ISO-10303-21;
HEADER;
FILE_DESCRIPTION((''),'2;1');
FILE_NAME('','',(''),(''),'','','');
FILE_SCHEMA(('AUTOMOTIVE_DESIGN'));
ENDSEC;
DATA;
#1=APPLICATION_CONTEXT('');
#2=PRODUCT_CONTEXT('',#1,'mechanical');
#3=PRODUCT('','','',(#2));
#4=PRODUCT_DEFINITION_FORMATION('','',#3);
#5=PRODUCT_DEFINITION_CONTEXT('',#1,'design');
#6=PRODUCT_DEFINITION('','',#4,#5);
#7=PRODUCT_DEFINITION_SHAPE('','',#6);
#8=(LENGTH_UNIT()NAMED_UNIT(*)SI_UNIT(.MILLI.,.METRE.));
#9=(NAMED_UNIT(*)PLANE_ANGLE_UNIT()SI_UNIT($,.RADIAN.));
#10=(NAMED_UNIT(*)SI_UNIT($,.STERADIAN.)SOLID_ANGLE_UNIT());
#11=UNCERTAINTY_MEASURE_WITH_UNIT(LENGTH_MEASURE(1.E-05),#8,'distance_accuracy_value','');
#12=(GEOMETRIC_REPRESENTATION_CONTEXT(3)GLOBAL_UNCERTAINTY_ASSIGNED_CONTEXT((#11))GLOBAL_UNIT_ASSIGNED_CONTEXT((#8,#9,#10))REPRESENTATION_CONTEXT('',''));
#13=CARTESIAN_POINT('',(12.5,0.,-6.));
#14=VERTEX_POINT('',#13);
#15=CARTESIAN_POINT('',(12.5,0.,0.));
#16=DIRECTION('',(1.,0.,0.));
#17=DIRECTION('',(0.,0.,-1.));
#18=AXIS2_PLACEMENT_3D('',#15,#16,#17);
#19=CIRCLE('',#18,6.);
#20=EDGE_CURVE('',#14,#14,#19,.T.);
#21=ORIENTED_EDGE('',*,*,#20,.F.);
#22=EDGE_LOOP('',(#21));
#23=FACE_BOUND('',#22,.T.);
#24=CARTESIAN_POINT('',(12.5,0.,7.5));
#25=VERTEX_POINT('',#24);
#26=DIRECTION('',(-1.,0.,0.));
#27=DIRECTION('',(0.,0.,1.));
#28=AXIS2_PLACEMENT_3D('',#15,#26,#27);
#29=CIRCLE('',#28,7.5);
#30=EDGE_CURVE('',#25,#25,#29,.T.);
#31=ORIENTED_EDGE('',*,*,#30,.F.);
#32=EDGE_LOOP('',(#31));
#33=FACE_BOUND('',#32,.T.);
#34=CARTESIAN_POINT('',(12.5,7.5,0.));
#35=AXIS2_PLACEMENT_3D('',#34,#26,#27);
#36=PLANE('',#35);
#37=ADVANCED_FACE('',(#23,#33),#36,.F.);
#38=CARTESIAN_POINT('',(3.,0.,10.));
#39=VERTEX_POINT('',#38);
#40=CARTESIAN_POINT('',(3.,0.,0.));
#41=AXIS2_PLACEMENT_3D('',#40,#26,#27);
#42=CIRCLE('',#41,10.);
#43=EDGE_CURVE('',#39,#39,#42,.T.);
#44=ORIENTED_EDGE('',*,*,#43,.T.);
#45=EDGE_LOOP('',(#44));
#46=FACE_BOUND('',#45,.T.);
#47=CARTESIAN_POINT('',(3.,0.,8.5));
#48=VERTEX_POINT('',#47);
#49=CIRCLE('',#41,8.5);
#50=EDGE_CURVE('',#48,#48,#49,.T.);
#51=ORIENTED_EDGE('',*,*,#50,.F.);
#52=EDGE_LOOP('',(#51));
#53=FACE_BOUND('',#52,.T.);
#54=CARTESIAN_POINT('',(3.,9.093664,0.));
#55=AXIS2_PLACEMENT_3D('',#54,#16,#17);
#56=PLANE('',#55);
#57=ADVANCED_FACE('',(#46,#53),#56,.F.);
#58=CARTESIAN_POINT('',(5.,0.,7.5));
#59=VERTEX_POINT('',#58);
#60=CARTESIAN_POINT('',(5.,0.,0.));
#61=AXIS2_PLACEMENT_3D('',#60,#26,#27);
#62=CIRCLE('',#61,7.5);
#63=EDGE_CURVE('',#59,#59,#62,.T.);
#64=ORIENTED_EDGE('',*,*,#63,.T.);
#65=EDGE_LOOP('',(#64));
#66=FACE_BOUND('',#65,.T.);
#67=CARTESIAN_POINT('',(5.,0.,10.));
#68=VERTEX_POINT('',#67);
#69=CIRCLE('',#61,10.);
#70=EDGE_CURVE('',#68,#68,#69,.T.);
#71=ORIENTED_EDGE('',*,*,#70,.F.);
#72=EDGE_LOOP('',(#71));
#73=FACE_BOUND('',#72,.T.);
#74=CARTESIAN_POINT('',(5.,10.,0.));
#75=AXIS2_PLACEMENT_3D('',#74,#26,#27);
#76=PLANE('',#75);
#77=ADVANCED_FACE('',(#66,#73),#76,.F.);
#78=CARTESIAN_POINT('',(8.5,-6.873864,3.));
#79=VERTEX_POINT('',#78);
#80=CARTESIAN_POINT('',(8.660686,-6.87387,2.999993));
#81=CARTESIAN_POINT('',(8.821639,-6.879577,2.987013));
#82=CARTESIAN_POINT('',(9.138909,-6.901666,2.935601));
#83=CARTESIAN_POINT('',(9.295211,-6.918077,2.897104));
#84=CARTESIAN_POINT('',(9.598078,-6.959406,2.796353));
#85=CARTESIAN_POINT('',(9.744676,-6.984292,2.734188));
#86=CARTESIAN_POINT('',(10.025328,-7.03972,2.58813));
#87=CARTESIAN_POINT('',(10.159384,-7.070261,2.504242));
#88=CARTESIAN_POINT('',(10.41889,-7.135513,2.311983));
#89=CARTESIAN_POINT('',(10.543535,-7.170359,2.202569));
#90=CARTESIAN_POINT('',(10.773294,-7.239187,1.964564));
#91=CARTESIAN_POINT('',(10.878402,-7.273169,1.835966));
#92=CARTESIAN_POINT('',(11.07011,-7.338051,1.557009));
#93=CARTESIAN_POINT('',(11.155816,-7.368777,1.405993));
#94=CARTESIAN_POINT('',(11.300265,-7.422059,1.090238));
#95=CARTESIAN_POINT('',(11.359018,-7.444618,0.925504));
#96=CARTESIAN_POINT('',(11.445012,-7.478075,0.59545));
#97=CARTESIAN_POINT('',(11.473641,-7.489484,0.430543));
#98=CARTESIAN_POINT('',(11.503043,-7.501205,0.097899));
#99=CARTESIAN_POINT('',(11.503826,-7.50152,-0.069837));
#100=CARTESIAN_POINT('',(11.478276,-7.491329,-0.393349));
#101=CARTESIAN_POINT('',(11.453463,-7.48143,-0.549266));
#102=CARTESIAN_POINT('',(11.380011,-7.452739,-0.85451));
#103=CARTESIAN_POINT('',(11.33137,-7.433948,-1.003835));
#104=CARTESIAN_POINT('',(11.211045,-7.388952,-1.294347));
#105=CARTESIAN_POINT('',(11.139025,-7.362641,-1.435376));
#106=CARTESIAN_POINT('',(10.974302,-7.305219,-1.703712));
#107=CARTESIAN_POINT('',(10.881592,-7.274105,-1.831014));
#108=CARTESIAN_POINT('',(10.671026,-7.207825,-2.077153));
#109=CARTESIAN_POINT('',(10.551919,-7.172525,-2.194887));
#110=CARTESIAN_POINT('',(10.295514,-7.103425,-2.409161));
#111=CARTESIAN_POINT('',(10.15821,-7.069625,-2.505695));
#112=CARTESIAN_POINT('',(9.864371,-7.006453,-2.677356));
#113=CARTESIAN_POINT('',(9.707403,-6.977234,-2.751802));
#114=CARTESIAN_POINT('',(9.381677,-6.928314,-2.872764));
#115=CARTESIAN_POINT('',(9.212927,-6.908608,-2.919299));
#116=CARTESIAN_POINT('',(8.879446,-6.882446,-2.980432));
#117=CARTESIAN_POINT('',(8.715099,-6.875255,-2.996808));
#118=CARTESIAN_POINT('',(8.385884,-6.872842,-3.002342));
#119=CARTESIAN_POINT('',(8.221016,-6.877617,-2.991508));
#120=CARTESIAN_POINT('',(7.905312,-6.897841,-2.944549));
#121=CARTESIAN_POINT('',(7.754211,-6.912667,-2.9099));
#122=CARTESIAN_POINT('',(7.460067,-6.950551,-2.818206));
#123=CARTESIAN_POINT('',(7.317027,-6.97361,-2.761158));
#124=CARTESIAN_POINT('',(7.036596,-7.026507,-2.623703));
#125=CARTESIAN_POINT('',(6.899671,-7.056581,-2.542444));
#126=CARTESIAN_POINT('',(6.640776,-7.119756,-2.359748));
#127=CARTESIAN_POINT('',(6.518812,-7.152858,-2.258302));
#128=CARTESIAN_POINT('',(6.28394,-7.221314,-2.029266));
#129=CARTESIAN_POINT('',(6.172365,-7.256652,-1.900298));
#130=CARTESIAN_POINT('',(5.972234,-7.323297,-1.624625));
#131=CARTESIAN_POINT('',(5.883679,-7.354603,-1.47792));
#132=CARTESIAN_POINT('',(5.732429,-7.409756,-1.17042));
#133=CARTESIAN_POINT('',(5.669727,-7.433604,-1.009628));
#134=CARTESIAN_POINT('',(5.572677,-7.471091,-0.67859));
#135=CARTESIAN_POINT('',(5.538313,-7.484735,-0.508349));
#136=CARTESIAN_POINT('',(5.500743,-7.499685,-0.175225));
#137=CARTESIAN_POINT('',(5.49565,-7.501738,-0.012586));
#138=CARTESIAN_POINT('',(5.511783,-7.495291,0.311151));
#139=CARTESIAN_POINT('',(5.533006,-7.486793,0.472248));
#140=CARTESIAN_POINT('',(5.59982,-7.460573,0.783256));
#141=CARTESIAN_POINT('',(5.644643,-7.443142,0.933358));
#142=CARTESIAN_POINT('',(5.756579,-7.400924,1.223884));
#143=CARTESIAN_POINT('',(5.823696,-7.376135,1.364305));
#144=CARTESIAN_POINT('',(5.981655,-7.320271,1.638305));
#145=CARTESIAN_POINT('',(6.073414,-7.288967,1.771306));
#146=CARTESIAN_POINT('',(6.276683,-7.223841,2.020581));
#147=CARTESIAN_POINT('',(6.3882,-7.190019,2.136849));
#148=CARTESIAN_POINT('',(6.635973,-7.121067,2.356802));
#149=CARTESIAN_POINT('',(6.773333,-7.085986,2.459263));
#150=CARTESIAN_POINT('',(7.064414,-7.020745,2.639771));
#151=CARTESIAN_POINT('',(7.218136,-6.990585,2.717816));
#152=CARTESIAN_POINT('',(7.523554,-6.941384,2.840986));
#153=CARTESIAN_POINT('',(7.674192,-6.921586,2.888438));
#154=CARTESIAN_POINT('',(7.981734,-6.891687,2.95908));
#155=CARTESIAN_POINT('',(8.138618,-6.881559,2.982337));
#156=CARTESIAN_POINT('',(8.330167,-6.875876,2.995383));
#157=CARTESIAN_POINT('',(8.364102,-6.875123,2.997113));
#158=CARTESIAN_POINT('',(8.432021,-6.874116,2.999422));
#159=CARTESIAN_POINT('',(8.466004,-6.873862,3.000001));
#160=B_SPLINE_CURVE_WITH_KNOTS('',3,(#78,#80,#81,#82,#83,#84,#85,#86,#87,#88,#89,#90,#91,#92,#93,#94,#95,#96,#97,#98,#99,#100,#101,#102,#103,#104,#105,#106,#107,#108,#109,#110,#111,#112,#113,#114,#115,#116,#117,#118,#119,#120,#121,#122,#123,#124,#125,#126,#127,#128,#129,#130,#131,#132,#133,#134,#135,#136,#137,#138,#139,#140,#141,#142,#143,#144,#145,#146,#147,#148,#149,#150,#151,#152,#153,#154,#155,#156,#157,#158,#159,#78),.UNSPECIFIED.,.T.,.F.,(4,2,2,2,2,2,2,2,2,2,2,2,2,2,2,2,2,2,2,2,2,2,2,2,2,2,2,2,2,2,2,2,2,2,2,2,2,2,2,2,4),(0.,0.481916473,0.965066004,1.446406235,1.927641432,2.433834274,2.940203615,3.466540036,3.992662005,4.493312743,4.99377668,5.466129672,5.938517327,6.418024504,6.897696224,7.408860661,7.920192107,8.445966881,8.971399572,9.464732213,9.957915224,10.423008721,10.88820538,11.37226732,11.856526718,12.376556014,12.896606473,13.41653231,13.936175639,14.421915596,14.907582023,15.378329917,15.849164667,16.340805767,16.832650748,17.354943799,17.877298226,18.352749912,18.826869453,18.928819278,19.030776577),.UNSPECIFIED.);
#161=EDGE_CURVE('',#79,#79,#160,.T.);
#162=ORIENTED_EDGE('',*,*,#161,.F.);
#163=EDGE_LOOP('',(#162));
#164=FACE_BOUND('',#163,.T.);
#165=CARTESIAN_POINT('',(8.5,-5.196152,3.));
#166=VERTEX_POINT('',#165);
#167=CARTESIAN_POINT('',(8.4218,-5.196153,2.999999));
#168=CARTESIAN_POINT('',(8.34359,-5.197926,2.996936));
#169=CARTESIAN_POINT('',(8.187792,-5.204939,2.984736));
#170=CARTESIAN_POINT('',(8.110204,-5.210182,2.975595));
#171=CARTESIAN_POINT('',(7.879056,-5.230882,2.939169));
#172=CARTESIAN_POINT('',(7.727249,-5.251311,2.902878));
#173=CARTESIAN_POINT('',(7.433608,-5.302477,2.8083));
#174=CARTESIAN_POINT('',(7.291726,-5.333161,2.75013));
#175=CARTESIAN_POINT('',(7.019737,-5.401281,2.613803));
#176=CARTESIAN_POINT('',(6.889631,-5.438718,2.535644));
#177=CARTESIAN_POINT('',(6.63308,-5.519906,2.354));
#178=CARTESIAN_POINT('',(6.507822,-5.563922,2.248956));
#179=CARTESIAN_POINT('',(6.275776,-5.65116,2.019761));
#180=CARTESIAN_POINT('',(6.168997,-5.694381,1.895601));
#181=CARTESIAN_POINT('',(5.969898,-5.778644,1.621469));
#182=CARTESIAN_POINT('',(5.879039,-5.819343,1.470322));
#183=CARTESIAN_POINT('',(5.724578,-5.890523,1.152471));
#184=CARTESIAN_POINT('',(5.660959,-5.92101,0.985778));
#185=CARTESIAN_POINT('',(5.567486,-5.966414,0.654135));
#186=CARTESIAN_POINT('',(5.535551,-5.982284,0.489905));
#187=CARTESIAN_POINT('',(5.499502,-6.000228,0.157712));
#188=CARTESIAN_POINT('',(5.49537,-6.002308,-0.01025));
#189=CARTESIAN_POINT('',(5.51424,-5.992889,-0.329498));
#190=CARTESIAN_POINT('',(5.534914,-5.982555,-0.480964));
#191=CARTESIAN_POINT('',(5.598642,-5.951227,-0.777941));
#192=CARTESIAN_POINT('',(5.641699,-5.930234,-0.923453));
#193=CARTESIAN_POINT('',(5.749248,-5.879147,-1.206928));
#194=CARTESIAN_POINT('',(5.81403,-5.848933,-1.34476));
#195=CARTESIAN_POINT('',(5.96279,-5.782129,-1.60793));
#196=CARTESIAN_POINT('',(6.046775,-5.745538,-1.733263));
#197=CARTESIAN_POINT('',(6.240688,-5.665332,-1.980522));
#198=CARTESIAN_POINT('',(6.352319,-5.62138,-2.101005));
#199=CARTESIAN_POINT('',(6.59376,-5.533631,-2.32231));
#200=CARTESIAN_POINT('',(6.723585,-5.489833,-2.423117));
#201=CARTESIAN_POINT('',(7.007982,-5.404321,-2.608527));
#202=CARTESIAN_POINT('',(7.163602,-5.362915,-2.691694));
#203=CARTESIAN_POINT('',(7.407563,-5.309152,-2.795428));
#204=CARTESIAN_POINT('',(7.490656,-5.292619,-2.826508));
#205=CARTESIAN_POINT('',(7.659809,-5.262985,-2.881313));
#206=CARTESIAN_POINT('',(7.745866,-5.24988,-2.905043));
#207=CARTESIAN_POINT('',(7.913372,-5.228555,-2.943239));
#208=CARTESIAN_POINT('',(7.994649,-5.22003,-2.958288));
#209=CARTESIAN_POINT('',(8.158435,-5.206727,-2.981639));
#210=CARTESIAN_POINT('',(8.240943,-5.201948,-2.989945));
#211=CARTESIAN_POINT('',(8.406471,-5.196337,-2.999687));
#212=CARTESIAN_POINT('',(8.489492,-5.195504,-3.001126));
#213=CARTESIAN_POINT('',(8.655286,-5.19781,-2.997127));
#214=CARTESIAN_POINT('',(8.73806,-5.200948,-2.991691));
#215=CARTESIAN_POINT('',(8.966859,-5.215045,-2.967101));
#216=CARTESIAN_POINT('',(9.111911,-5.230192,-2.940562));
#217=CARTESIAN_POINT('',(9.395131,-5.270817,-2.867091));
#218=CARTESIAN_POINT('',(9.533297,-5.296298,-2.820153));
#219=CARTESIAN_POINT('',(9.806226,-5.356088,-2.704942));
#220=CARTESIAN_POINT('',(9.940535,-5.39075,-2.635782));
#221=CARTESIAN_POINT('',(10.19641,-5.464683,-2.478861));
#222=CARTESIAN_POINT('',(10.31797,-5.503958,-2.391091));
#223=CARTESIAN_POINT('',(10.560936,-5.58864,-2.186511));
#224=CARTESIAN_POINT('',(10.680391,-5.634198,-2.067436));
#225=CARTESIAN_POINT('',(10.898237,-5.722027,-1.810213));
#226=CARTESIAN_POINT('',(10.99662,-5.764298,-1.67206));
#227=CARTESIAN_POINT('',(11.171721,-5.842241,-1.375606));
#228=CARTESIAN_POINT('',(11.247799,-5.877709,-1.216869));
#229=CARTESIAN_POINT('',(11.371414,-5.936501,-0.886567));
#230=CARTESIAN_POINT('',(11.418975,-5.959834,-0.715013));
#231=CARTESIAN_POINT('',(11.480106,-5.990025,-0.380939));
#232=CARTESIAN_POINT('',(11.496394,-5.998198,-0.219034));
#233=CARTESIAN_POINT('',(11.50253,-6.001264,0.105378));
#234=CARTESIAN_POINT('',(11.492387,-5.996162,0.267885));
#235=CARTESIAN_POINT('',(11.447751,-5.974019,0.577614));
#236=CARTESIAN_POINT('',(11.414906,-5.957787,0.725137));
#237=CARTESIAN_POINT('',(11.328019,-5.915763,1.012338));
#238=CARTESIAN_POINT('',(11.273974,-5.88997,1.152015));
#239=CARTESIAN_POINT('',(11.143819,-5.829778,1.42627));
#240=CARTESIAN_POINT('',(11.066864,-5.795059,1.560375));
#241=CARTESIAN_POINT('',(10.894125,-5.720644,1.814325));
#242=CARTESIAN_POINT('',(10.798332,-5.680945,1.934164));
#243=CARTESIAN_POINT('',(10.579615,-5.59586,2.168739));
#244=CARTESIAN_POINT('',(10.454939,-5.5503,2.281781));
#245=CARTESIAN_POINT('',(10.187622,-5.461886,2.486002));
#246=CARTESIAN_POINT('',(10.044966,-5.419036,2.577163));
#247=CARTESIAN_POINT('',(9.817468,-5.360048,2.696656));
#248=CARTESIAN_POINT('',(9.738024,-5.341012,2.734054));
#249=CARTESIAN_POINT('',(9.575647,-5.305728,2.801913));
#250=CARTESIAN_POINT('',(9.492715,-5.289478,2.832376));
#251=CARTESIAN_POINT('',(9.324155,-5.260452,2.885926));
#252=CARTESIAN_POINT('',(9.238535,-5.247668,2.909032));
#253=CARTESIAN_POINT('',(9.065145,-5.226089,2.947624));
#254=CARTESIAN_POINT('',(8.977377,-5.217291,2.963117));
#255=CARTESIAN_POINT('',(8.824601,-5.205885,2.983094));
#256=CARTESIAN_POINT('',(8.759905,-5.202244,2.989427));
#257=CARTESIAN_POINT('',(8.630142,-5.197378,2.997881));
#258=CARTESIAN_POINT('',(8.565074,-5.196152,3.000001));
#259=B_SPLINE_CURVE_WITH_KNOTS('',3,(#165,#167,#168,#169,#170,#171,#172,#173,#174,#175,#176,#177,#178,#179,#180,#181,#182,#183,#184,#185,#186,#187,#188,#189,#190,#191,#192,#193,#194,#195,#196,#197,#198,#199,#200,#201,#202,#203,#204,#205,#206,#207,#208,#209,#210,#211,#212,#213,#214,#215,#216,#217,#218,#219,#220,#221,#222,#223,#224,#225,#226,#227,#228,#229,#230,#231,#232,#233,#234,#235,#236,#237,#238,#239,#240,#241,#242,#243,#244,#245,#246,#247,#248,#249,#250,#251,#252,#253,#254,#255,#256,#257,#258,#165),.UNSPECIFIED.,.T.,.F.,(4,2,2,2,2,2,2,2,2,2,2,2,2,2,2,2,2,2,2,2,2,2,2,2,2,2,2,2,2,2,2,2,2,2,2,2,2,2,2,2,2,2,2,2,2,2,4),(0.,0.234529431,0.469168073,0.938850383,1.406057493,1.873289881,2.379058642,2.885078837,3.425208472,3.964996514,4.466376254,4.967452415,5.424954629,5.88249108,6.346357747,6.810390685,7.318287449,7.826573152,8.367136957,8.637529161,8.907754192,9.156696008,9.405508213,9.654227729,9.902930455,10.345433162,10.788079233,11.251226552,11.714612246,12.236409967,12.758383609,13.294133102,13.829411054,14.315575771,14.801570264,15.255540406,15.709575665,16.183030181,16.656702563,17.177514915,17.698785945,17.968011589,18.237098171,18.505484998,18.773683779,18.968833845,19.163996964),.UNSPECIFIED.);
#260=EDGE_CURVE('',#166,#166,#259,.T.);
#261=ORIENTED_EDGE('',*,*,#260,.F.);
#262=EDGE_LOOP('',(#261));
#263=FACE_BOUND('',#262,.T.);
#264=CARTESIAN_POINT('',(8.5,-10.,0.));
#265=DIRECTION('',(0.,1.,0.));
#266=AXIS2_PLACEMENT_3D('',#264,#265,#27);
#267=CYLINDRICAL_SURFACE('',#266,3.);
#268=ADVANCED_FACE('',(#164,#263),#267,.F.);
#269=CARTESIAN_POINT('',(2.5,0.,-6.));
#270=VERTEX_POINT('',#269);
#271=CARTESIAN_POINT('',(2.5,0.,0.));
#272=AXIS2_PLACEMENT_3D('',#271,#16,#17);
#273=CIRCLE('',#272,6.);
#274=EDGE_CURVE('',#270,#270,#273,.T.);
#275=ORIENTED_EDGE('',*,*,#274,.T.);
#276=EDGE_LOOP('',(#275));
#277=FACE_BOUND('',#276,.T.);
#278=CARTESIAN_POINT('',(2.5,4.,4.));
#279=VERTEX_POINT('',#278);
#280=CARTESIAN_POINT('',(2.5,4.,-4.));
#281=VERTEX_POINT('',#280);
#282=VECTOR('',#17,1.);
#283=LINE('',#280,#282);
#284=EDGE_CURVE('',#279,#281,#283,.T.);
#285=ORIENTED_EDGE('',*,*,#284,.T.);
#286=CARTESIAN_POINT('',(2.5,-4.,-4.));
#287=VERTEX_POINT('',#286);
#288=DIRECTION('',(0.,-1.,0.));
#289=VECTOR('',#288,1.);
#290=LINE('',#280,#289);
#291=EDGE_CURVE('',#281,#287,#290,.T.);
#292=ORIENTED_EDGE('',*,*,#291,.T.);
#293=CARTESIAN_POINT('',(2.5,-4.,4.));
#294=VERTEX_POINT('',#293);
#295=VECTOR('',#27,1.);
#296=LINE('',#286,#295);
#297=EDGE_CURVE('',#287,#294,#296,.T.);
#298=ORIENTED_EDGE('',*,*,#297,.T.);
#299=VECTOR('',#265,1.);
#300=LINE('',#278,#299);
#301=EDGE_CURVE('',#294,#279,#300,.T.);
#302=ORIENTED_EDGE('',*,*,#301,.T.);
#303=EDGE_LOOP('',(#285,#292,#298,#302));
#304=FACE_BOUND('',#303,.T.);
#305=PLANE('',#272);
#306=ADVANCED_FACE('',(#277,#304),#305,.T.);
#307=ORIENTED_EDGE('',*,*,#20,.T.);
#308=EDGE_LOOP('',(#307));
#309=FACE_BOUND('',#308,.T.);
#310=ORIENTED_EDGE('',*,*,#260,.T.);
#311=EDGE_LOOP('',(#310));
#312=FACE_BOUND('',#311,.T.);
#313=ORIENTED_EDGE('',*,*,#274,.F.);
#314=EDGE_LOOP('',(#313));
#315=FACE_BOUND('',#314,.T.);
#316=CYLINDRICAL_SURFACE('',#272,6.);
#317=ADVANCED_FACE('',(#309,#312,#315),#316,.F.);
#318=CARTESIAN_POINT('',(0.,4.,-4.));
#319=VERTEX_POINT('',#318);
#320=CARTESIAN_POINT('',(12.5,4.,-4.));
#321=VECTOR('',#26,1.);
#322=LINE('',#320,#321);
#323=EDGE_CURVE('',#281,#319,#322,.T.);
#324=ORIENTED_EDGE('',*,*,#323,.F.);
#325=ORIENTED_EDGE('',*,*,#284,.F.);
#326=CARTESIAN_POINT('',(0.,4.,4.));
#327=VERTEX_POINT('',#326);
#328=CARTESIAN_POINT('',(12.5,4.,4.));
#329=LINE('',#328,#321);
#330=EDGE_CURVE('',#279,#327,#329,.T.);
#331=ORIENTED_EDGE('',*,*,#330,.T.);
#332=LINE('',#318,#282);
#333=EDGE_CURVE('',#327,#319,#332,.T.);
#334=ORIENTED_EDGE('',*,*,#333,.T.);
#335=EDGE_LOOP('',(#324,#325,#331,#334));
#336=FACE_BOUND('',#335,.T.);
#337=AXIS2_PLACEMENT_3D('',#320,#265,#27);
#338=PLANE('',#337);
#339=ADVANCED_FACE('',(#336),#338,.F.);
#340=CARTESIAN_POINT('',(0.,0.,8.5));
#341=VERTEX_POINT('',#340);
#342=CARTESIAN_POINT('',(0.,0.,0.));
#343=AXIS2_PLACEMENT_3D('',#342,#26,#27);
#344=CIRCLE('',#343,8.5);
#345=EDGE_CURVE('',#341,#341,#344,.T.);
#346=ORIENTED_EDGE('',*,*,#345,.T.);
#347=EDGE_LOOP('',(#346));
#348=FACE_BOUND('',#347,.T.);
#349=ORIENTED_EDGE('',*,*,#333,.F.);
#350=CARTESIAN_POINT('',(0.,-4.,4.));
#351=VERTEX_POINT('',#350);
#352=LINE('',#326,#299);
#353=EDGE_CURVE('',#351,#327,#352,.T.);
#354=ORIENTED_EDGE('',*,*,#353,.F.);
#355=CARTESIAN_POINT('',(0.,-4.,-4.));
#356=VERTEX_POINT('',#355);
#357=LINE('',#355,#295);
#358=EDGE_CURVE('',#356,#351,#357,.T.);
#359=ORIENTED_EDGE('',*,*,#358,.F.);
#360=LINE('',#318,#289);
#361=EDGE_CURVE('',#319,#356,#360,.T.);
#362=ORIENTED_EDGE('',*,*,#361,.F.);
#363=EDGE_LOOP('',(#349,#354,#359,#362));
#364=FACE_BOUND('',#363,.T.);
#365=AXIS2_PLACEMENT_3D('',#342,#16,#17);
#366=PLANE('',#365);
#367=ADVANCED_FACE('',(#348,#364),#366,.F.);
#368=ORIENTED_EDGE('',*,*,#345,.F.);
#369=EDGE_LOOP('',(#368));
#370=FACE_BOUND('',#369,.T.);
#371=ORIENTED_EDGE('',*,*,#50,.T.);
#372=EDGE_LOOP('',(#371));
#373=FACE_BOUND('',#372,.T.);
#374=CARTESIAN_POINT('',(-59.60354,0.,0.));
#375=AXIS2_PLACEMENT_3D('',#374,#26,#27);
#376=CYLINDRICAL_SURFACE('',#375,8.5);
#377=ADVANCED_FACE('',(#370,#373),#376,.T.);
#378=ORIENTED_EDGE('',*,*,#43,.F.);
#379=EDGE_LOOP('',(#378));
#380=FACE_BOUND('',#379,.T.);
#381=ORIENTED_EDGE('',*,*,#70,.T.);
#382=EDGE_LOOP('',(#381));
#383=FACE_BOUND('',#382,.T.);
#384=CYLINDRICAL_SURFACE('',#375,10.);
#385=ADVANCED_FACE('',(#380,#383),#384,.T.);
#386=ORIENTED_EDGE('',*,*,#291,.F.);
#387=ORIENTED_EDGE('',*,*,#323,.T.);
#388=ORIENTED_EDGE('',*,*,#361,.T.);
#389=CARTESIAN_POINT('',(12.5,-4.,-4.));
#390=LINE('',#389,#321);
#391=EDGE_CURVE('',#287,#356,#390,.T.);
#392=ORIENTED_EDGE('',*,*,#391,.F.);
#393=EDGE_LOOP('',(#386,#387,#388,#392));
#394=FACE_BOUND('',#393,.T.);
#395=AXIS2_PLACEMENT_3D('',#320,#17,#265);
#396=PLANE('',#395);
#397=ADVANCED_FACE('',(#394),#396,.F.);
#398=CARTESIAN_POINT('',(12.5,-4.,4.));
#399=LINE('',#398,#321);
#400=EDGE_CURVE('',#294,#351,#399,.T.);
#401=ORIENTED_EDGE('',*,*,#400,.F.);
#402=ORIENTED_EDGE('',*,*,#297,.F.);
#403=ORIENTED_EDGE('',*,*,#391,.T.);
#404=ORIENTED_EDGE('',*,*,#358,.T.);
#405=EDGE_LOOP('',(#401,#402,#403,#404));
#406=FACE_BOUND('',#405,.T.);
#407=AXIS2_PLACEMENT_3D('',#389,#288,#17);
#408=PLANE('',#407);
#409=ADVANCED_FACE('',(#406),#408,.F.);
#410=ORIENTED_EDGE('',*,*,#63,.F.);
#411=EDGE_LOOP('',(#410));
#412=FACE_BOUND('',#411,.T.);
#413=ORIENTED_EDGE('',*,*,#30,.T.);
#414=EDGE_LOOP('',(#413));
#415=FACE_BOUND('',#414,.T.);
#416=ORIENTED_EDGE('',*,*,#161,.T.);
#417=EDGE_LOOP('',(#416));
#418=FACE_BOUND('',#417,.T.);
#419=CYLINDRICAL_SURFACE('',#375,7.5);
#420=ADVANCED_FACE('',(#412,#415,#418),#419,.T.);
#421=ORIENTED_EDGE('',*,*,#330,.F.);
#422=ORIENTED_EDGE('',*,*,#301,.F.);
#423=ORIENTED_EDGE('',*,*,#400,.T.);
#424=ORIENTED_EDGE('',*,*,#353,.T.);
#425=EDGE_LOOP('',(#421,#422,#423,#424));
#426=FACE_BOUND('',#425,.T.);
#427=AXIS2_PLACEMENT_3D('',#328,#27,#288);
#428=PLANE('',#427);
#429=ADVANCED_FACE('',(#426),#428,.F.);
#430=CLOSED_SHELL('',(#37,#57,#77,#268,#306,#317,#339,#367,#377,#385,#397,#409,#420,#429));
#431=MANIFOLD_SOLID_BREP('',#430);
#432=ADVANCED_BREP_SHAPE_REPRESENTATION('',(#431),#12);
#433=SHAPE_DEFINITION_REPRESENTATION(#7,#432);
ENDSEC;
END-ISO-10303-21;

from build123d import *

# Parameters (mm, degrees)
ESQUISSE2_W             = 8
ESQUISSE2_H             = 8
ENL_V_MAT_EXTRU_1_DEPTH = 13.5
ESQUISSE3_R             = 6
ENL_V_MAT_EXTRU_2_DEPTH = 10
ESQUISSE4_R             = 3
ENL_V_MAT_EXTRU_3_DEPTH = 10


with BuildPart() as part:
    # Esquisse1 → Révolution1 (revolve)
    with BuildSketch(Plane.XY):
        Polygon((0, 0), (0, 8.5), (3, 8.5), (3, 9.093663992), (3, 10), (5, 10), (5, 7.5), (12.5, 7.5), (12.5, 0), align=None)
    revolve(axis=Axis((-59.603539616, 0, 0), (1, 0, 0)))

    # Esquisse2 → Enlèv. mat.-Extru.1 (cut, through all)
    with BuildSketch(Plane.ZY):
        Rectangle(ESQUISSE2_W, ESQUISSE2_H)
    extrude(amount=-ENL_V_MAT_EXTRU_1_DEPTH, mode=Mode.SUBTRACT)

    # Esquisse3 → Enlèv. mat.-Extru.2 (cut)
    with BuildSketch(Plane(origin=(12.5, 0, 0), x_dir=(0, 0, -1), z_dir=(1, 0, 0))):
        Circle(ESQUISSE3_R)
    extrude(amount=-ENL_V_MAT_EXTRU_2_DEPTH, mode=Mode.SUBTRACT)

    # Esquisse4 → Enlèv. mat.-Extru.3 (cut)
    with BuildSketch(Plane(origin=(0, 0, 0), x_dir=(1, 0, 0), z_dir=(0, 1, 0))):
        with Locations((8.5, 0)):
            Circle(ESQUISSE4_R)
    extrude(amount=-ENL_V_MAT_EXTRU_3_DEPTH, mode=Mode.SUBTRACT)


solid = part.part
